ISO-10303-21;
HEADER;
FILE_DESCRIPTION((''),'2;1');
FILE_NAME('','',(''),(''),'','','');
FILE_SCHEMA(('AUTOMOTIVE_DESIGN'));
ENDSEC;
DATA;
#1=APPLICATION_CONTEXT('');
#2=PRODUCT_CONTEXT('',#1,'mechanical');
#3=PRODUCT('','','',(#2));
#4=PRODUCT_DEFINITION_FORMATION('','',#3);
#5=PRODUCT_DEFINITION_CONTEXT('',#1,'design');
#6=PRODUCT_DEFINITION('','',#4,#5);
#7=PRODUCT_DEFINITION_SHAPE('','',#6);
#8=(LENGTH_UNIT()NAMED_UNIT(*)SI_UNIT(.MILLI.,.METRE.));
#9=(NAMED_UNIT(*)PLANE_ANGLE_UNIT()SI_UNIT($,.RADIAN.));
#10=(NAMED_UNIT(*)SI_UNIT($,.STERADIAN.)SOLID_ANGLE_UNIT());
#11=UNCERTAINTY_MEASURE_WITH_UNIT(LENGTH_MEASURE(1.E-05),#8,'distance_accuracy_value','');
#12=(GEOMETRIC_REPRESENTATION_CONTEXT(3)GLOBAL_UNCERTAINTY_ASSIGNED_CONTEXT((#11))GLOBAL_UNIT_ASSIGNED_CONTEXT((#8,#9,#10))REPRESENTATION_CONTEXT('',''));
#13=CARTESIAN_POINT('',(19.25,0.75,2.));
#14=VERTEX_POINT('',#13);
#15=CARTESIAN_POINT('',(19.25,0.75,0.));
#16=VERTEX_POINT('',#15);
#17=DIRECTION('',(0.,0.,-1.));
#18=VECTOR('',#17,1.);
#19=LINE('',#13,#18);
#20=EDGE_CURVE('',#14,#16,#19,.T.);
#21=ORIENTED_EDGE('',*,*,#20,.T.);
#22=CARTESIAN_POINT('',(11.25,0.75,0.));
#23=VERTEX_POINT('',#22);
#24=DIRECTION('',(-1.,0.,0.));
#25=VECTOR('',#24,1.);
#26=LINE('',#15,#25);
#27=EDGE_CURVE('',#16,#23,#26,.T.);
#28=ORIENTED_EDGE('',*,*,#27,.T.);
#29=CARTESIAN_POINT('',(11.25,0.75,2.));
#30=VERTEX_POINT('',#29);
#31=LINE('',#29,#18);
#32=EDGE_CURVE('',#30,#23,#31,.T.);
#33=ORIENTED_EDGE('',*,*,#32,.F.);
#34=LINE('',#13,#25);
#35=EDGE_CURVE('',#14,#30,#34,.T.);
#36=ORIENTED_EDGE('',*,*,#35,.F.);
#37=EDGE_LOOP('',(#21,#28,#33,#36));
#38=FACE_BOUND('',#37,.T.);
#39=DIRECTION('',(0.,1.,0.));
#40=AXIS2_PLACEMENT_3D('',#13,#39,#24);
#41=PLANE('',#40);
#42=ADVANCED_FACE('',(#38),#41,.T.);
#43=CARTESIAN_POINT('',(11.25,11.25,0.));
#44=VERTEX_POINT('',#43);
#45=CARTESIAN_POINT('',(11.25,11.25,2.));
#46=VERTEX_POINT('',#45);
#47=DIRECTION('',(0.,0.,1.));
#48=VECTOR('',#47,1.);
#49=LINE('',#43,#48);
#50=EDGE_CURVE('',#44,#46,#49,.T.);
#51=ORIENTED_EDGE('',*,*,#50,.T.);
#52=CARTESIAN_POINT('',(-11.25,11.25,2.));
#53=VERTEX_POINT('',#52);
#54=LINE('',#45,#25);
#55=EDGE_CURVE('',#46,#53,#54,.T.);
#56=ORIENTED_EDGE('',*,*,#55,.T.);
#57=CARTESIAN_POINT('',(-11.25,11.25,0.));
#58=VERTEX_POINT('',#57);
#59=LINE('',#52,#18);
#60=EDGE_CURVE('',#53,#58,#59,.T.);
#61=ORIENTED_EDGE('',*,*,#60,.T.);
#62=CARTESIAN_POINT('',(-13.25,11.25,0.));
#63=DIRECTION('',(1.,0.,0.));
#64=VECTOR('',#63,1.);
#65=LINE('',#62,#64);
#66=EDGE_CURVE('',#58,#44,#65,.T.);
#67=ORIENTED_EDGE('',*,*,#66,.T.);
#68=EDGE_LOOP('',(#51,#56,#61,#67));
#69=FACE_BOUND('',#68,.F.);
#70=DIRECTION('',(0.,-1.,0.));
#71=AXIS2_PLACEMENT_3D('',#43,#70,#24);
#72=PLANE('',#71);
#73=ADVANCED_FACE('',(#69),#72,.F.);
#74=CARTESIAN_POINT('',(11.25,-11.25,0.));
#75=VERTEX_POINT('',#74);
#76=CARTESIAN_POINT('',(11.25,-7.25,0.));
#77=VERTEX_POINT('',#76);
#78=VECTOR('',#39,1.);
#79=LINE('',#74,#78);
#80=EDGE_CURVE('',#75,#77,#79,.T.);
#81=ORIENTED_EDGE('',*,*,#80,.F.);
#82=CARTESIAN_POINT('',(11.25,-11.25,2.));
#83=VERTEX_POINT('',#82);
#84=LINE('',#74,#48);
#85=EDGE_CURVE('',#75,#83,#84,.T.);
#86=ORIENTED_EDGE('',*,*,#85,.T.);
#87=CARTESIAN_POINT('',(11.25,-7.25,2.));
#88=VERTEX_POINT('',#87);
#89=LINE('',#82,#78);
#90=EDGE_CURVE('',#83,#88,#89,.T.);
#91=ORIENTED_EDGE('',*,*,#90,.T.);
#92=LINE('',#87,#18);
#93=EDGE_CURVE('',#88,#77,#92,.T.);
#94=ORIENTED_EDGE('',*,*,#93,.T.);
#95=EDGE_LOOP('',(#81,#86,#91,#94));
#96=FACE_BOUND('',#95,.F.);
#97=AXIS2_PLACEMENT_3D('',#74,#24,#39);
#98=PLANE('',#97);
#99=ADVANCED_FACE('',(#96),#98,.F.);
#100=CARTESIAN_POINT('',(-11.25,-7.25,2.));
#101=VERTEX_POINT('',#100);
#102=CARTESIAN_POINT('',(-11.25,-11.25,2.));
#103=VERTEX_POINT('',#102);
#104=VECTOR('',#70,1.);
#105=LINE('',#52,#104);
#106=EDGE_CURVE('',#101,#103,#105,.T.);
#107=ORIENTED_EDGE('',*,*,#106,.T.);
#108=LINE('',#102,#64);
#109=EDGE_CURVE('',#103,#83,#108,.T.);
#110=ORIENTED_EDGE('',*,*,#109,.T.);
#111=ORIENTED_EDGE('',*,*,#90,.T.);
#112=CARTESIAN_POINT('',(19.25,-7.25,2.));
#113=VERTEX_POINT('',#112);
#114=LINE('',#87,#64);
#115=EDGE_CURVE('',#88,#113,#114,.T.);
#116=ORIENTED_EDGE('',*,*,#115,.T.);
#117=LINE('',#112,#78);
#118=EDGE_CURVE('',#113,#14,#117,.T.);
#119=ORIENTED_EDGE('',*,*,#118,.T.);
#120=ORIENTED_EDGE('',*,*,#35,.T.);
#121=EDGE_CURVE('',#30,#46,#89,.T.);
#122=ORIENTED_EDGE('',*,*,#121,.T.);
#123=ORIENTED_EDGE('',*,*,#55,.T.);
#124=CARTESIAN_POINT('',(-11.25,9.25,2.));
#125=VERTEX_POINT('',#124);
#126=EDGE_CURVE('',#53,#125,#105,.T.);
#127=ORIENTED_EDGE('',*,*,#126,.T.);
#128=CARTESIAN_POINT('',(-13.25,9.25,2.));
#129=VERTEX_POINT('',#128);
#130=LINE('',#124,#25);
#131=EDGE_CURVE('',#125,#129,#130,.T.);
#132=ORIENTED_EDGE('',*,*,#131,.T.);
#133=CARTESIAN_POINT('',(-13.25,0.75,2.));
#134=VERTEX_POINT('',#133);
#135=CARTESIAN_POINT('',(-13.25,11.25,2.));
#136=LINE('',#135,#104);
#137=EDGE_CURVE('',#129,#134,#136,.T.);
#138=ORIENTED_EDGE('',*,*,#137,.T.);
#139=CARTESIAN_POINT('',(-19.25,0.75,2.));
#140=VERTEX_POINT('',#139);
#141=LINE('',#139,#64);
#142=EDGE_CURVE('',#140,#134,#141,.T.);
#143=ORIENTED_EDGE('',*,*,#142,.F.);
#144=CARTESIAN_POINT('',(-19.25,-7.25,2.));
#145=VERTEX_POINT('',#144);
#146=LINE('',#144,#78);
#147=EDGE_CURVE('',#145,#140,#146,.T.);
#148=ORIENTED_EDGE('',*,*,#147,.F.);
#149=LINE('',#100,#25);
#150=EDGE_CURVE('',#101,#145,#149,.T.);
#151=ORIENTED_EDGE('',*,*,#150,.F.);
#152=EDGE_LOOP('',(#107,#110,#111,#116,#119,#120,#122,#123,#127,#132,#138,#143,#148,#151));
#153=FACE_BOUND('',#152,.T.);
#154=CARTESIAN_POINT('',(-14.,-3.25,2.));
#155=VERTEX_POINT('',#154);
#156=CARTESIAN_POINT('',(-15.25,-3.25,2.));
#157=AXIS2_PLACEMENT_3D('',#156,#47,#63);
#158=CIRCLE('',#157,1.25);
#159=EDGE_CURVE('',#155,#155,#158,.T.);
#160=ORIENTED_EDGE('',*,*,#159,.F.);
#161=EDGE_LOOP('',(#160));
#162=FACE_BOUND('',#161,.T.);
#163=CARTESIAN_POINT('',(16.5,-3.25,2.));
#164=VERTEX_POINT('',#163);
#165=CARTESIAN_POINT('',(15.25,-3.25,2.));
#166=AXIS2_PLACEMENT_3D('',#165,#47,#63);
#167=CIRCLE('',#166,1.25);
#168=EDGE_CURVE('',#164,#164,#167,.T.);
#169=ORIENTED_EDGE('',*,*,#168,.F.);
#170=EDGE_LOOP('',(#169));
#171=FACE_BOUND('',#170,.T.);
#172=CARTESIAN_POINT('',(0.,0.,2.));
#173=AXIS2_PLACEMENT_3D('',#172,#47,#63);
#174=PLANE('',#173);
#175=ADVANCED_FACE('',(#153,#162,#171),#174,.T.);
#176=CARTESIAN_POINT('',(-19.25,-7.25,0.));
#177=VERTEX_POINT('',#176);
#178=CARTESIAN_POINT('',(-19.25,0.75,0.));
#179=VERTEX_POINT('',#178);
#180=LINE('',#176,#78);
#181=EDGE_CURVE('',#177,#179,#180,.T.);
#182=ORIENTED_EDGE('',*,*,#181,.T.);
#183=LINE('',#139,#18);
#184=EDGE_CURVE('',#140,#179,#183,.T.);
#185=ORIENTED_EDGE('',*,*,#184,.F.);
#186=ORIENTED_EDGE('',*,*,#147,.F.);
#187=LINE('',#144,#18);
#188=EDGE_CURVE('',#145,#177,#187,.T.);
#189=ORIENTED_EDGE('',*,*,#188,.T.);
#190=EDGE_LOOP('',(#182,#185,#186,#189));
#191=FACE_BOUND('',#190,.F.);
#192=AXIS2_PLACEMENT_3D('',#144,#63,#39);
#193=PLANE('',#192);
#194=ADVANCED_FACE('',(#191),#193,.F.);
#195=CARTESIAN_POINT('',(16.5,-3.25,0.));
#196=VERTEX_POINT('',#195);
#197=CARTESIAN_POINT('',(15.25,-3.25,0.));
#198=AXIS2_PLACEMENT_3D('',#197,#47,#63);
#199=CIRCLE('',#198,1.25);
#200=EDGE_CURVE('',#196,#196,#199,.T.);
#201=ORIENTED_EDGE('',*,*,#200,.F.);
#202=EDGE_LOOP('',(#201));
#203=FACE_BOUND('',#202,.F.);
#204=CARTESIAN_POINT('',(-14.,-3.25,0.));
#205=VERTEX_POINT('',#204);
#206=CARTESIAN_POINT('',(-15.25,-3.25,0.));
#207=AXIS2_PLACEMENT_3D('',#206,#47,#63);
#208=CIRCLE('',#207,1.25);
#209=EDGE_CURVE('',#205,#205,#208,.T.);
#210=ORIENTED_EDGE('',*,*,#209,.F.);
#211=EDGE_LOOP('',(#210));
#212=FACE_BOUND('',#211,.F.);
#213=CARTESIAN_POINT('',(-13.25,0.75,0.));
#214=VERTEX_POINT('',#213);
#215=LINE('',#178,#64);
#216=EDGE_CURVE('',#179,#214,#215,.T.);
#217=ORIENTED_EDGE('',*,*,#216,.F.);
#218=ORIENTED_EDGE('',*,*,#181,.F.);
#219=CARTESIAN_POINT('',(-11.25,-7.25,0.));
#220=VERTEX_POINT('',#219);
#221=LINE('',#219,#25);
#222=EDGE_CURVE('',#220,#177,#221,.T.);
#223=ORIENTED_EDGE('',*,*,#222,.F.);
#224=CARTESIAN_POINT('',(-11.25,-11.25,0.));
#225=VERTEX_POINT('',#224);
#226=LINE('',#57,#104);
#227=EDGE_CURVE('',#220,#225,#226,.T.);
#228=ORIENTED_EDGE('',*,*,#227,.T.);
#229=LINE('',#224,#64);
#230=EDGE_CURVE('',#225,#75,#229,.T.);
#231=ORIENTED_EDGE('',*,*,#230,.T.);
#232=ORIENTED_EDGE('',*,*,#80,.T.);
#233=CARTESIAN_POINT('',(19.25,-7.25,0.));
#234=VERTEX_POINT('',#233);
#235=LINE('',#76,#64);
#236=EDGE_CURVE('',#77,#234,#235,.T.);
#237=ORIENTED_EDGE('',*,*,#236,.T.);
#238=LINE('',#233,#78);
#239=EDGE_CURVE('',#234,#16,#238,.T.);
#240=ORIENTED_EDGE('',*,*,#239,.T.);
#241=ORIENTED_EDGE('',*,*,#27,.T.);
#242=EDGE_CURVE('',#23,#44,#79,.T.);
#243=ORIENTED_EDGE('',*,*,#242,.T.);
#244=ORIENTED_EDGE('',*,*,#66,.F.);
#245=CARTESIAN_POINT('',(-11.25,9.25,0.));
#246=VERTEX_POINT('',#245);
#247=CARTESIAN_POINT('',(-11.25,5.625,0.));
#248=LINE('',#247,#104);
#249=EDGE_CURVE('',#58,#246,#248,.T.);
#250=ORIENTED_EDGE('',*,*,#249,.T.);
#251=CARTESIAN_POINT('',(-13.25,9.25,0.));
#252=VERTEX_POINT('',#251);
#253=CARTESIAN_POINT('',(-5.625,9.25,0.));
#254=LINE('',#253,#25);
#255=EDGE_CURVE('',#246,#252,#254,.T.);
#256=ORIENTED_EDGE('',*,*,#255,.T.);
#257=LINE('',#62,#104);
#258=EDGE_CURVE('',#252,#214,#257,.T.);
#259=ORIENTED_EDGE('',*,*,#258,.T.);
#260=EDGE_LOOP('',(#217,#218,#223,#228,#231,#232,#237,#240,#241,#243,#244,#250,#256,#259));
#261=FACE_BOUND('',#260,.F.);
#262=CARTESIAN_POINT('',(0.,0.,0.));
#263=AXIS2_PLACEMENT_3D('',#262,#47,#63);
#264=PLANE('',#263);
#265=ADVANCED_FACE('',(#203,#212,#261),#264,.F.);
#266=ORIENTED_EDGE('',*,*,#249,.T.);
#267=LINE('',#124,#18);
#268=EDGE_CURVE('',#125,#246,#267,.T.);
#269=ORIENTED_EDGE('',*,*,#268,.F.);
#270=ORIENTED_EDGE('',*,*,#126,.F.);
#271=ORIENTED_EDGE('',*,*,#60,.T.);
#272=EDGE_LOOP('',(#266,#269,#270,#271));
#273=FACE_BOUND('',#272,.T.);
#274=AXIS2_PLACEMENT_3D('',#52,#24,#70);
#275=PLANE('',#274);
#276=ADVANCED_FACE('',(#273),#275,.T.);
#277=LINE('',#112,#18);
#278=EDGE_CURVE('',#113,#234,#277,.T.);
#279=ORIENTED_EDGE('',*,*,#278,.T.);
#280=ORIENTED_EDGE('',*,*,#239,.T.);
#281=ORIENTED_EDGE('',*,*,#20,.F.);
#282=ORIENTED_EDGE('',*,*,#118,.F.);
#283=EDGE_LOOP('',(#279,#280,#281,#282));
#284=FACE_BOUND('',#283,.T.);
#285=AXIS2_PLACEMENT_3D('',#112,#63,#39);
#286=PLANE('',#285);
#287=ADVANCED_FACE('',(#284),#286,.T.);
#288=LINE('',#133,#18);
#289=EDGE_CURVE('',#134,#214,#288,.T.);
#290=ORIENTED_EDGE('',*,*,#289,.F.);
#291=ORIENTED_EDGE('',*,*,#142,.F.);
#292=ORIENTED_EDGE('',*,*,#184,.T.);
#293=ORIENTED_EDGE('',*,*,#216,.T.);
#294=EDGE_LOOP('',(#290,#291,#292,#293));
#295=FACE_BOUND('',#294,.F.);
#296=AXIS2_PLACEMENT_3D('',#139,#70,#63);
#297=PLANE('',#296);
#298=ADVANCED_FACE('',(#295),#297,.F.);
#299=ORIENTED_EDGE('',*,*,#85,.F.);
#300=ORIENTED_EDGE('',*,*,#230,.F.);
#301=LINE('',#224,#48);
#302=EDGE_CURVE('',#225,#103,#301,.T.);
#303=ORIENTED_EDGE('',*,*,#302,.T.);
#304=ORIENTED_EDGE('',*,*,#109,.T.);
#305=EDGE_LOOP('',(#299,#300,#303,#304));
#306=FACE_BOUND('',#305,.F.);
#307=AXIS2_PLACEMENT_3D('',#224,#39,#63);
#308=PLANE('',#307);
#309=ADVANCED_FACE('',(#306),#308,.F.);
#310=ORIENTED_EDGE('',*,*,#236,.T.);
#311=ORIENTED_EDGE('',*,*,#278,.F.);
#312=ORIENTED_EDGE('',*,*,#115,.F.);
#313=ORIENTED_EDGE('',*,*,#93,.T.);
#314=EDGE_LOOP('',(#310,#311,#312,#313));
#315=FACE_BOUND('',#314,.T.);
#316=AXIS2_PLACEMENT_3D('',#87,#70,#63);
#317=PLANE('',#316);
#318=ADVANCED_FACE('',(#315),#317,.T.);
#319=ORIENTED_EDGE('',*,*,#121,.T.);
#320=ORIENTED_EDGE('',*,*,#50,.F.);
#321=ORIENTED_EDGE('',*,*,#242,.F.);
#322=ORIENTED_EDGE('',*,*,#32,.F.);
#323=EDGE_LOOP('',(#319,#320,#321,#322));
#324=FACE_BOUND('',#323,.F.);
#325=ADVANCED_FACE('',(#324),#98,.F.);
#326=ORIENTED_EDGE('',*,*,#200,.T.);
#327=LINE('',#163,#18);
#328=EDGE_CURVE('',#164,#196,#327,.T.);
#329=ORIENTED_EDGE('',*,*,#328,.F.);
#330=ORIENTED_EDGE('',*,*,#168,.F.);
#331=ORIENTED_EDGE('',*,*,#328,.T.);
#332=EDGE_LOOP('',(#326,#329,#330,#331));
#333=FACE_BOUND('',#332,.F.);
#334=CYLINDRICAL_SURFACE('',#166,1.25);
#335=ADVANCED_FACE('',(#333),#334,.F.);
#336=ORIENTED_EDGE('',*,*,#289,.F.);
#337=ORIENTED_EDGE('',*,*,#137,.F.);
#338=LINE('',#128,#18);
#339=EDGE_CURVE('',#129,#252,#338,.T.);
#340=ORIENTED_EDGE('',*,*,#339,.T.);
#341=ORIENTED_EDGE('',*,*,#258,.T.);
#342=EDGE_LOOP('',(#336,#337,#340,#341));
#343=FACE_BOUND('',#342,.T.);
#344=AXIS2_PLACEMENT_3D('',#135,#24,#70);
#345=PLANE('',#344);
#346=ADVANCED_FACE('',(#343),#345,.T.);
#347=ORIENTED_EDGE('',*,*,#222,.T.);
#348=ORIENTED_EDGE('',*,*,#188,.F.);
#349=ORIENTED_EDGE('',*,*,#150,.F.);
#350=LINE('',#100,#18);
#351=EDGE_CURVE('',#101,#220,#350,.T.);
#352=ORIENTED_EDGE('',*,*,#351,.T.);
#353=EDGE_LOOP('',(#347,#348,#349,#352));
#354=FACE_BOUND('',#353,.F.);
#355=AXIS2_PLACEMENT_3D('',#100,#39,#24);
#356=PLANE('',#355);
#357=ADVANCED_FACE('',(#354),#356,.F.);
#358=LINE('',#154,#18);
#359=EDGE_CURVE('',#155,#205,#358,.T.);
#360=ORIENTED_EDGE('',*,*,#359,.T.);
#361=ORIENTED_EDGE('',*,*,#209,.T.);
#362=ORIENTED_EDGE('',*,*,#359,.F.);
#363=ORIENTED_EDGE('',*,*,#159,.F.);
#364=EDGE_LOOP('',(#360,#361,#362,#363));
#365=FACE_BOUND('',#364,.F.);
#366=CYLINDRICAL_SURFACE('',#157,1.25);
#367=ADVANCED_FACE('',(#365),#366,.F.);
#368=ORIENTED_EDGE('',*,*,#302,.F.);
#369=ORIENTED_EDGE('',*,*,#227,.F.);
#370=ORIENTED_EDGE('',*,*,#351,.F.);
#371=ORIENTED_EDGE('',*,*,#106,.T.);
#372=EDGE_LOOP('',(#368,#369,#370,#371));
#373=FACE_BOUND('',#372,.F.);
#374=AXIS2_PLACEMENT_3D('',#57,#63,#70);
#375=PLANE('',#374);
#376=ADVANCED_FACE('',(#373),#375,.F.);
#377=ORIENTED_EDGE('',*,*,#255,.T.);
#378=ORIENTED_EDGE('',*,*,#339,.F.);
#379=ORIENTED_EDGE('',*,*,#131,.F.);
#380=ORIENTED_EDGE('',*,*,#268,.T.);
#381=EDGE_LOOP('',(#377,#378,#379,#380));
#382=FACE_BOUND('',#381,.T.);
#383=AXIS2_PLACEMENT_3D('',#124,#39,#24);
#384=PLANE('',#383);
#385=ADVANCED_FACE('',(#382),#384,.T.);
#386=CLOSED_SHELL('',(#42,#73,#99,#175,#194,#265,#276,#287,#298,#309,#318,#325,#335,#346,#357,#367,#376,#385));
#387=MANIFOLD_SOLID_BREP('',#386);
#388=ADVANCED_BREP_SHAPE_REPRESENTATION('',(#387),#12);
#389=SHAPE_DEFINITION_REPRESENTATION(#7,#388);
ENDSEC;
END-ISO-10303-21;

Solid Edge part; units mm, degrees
sketch "Sketch1" plane through (0, 0, 0) normal (0, 0, 1) x (1, 0, 0)
  line L0 (-11.25, -11.25) -> (11.25, -11.25)
  line L1 (11.25, -11.25) -> (11.25, 11.25)
  line L2 (11.25, 11.25) -> (-11.25, 11.25)
  line L3 (-11.25, 11.25) -> (-11.25, -11.25)
  dimension "D1" = 22.5
  dimension "D2" = 22.5
extrude "Protrusion1" add sketch "Sketch1" along normal blind 2
sketch "Sketch2" plane through (0, 0, 2) normal (0, 0, 1) x (1, 0, 0)
  line L0 (11.25, -7.25) -> (19.25, -7.25)
  line L1 (19.25, -7.25) -> (19.25, 0.75)
  line L2 (19.25, 0.75) -> (11.25, 0.75)
  line L3 (11.25, 0.75) -> (11.25, -7.25)
  dimension "D1" = 8
  dimension "D2" = 4
extrude "Protrusion2" add sketch "Sketch2" against normal up to vertex (2 mm away)
sketch "Sketch3" plane through (4, 0, 2) normal (0, 0, 1) x (1, 0, 0)
  line L0 (-15.25, -7.25) -> (-23.25, -7.25)
  line L1 (-23.25, -7.25) -> (-23.25, 0.75)
  line L2 (-23.25, 0.75) -> (-15.25, 0.75)
  line L3 (-15.25, 0.75) -> (-15.25, -7.25)
  dimension "D1" = 4
extrude "Extrusionsausprägung_3" add sketch "Sketch3" against normal blind 2
sketch "Sketch4" plane through (0, 0, 2) normal (0, 0, 1) x (1, 0, 0)
  circle A0 centre (-15.25, -3.25) radius 1.25
  circle A1 centre (15.25, -3.25) radius 1.25
  dimension "D1" = 2.5
extrude "Cutout1" cut sketch "Sketch4" against normal through all
sketch "Sketch5" plane through (0, 0, 2) normal (0, 0, 1) x (1, 0, 0)
  line L0 (-11.25, 11.25) -> (-13.25, 11.25)
  line L1 (-13.25, 11.25) -> (-13.25, 0.75)
  line L2 (-13.25, 0.75) -> (-11.25, 0.75)
  line L3 (-11.25, 0.75) -> (-11.25, 11.25)
  dimension "D1" = 2
extrude "Protrusion3" add sketch "Sketch5" against normal up to vertex (2 mm away)
sketch "Sketch6" plane through (0, 0, 2) normal (0, 0, 1) x (1, 0, 0)
  line L0 (-13.25, 11.25) -> (-11.25, 11.25)
  line L1 (-11.25, 11.25) -> (-11.25, 9.25)
  line L2 (-11.25, 9.25) -> (-13.25, 9.25)
  line L3 (-13.25, 9.25) -> (-13.25, 11.25)
  dimension "D1" = 2
  dimension "D2" = 2
extrude "Cutout2" cut sketch "Sketch6" against normal through all
